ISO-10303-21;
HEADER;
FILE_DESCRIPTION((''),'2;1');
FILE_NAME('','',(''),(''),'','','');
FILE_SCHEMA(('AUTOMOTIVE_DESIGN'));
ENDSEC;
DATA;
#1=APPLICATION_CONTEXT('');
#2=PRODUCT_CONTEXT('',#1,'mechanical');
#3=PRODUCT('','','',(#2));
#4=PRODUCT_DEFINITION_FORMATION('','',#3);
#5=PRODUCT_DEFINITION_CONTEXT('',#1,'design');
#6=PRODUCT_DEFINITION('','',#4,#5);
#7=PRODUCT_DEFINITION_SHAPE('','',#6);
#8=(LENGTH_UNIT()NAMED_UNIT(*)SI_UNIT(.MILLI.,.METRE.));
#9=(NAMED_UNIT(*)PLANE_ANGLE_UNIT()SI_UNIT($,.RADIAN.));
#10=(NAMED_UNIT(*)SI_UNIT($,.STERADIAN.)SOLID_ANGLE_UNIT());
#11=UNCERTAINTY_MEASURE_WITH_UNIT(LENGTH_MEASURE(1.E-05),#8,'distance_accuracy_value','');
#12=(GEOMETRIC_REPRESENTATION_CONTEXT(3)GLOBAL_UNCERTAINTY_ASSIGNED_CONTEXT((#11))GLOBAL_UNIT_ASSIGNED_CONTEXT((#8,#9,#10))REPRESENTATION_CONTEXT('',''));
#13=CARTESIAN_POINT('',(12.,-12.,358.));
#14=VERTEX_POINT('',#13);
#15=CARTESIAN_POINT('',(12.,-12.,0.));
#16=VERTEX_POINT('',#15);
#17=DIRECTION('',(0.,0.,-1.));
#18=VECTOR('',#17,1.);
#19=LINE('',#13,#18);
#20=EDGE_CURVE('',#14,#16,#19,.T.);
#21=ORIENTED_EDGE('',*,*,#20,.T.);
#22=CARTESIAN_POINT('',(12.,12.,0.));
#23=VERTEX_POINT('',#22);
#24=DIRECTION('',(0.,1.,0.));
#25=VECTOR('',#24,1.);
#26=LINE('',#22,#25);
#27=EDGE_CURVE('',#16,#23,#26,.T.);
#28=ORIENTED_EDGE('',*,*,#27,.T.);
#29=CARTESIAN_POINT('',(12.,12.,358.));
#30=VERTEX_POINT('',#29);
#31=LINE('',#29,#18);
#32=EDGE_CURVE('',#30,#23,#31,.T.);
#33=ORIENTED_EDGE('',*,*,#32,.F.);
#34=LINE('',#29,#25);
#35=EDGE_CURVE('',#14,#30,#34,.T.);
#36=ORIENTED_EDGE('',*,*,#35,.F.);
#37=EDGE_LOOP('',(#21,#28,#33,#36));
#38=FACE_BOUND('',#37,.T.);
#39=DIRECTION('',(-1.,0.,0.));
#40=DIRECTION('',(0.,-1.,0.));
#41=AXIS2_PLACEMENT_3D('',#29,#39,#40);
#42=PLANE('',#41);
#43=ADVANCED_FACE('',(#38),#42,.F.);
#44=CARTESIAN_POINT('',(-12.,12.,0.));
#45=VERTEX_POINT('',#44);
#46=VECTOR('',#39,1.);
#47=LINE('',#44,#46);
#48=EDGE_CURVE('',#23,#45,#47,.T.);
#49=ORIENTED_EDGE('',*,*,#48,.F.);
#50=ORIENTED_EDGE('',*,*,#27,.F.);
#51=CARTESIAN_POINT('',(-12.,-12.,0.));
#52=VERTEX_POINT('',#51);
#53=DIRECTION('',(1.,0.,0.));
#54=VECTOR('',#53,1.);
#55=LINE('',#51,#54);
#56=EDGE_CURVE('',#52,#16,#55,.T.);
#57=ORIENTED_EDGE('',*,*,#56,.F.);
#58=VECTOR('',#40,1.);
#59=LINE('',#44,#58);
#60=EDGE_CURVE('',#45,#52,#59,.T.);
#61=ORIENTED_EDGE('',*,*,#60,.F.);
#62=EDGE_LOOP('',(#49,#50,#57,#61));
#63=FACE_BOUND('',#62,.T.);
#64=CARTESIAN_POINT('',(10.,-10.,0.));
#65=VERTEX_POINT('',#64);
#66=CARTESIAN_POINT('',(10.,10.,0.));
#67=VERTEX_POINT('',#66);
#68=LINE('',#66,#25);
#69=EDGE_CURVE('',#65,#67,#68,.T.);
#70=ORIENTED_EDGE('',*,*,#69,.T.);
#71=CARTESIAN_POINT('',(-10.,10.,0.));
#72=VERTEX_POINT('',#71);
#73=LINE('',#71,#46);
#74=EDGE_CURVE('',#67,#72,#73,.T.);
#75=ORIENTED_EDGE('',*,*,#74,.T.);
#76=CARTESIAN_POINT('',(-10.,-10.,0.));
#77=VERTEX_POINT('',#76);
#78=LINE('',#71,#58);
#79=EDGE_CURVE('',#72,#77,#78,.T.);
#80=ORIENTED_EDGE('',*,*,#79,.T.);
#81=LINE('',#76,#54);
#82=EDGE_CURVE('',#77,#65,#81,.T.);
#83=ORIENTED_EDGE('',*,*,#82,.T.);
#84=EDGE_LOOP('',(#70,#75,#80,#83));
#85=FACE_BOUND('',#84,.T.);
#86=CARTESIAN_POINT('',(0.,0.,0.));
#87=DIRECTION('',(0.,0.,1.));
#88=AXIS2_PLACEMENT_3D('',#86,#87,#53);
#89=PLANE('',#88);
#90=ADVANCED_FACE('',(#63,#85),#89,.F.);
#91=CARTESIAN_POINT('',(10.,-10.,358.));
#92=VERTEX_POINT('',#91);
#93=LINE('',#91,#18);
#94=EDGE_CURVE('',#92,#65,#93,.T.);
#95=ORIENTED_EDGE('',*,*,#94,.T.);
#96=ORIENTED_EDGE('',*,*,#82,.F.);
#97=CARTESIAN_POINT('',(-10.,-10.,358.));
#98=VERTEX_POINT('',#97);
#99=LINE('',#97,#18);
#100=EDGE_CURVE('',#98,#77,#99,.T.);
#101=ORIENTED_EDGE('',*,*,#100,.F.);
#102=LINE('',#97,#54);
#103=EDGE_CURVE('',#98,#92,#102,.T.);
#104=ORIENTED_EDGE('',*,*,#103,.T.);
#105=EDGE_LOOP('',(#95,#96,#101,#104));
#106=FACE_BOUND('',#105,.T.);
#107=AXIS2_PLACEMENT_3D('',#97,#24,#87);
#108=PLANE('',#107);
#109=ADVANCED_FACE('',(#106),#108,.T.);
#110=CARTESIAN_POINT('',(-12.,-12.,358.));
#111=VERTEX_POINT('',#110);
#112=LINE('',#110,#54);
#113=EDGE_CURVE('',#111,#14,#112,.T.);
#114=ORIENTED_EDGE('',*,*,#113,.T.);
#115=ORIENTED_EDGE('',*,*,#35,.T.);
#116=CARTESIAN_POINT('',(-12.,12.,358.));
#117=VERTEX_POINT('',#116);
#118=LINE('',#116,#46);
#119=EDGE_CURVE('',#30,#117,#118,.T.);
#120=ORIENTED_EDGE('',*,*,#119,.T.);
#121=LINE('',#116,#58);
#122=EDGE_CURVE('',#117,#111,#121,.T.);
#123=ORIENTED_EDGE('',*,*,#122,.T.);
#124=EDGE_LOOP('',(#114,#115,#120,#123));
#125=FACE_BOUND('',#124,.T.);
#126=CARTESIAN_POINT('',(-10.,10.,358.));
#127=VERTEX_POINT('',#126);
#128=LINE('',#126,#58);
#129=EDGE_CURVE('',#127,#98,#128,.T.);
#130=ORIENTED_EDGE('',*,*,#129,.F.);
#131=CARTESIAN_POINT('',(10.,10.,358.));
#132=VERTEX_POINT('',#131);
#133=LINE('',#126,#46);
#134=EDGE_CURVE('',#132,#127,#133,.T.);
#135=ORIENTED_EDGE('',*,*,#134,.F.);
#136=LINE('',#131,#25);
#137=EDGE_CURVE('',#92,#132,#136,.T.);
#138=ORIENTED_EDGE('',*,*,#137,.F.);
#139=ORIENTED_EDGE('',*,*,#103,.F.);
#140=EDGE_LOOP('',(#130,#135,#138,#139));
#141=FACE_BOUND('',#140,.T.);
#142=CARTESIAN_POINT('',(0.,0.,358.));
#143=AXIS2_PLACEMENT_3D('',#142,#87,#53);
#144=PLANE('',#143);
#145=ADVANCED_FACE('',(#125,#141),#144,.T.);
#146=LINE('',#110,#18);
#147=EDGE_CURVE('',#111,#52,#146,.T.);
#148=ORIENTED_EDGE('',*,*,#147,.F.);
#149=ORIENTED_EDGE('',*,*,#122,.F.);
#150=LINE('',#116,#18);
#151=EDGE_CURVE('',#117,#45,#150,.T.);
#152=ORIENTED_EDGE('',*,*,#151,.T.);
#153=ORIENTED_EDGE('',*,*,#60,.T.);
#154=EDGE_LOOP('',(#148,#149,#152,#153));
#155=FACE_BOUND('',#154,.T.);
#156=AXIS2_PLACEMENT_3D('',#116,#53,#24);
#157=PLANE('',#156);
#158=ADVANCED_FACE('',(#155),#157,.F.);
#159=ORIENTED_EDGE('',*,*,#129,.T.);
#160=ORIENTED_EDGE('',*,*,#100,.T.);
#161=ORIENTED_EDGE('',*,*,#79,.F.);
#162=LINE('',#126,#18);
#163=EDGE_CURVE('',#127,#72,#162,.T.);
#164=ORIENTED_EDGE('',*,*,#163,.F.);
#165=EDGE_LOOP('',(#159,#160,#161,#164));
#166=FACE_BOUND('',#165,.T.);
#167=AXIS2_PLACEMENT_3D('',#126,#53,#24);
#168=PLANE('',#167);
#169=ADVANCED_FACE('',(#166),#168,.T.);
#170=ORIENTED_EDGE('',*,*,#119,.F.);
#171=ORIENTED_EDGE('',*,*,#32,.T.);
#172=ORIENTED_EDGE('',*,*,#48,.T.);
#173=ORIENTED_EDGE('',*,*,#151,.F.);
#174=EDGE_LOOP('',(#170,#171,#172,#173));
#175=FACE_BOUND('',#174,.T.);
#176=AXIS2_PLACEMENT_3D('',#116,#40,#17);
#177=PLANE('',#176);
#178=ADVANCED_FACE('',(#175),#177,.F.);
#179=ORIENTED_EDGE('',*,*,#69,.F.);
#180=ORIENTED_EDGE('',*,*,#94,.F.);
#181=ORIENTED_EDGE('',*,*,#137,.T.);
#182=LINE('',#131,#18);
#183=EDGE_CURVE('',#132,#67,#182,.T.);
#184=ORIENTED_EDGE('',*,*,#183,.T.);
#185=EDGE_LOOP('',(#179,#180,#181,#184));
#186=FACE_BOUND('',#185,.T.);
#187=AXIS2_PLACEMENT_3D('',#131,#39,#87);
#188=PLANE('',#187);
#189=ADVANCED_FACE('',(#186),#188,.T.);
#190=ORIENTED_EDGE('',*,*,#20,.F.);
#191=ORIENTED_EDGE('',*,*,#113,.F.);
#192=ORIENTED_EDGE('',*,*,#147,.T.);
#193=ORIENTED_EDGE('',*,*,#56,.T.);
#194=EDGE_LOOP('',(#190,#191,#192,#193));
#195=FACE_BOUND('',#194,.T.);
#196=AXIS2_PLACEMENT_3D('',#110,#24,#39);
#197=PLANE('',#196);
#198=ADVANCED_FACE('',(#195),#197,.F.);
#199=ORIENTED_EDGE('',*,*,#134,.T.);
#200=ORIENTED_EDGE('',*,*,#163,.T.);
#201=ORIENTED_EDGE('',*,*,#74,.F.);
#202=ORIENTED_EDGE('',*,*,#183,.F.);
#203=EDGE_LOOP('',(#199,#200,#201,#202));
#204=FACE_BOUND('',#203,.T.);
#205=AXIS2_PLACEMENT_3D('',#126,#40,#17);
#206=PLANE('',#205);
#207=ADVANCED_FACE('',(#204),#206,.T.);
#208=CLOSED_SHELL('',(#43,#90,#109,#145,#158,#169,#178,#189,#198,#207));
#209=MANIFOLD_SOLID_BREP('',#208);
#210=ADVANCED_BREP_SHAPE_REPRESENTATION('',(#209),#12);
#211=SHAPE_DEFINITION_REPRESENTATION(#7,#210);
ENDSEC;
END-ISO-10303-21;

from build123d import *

# Parameters (mm, degrees)
SKETCH_1_W      = 24
SKETCH_1_H      = 24
SKETCH_1_W_2    = 20
SKETCH_1_H_2    = 20
EXTRUDE_1_DEPTH = 358


with BuildPart() as part:
    # 草图1 → 凸台-拉伸1 (new body)
    with BuildSketch(Plane.XY):
        Rectangle(SKETCH_1_W, SKETCH_1_H)
        Rectangle(SKETCH_1_W_2, SKETCH_1_H_2, mode=Mode.SUBTRACT)
    extrude(amount=EXTRUDE_1_DEPTH)


solid = part.part
